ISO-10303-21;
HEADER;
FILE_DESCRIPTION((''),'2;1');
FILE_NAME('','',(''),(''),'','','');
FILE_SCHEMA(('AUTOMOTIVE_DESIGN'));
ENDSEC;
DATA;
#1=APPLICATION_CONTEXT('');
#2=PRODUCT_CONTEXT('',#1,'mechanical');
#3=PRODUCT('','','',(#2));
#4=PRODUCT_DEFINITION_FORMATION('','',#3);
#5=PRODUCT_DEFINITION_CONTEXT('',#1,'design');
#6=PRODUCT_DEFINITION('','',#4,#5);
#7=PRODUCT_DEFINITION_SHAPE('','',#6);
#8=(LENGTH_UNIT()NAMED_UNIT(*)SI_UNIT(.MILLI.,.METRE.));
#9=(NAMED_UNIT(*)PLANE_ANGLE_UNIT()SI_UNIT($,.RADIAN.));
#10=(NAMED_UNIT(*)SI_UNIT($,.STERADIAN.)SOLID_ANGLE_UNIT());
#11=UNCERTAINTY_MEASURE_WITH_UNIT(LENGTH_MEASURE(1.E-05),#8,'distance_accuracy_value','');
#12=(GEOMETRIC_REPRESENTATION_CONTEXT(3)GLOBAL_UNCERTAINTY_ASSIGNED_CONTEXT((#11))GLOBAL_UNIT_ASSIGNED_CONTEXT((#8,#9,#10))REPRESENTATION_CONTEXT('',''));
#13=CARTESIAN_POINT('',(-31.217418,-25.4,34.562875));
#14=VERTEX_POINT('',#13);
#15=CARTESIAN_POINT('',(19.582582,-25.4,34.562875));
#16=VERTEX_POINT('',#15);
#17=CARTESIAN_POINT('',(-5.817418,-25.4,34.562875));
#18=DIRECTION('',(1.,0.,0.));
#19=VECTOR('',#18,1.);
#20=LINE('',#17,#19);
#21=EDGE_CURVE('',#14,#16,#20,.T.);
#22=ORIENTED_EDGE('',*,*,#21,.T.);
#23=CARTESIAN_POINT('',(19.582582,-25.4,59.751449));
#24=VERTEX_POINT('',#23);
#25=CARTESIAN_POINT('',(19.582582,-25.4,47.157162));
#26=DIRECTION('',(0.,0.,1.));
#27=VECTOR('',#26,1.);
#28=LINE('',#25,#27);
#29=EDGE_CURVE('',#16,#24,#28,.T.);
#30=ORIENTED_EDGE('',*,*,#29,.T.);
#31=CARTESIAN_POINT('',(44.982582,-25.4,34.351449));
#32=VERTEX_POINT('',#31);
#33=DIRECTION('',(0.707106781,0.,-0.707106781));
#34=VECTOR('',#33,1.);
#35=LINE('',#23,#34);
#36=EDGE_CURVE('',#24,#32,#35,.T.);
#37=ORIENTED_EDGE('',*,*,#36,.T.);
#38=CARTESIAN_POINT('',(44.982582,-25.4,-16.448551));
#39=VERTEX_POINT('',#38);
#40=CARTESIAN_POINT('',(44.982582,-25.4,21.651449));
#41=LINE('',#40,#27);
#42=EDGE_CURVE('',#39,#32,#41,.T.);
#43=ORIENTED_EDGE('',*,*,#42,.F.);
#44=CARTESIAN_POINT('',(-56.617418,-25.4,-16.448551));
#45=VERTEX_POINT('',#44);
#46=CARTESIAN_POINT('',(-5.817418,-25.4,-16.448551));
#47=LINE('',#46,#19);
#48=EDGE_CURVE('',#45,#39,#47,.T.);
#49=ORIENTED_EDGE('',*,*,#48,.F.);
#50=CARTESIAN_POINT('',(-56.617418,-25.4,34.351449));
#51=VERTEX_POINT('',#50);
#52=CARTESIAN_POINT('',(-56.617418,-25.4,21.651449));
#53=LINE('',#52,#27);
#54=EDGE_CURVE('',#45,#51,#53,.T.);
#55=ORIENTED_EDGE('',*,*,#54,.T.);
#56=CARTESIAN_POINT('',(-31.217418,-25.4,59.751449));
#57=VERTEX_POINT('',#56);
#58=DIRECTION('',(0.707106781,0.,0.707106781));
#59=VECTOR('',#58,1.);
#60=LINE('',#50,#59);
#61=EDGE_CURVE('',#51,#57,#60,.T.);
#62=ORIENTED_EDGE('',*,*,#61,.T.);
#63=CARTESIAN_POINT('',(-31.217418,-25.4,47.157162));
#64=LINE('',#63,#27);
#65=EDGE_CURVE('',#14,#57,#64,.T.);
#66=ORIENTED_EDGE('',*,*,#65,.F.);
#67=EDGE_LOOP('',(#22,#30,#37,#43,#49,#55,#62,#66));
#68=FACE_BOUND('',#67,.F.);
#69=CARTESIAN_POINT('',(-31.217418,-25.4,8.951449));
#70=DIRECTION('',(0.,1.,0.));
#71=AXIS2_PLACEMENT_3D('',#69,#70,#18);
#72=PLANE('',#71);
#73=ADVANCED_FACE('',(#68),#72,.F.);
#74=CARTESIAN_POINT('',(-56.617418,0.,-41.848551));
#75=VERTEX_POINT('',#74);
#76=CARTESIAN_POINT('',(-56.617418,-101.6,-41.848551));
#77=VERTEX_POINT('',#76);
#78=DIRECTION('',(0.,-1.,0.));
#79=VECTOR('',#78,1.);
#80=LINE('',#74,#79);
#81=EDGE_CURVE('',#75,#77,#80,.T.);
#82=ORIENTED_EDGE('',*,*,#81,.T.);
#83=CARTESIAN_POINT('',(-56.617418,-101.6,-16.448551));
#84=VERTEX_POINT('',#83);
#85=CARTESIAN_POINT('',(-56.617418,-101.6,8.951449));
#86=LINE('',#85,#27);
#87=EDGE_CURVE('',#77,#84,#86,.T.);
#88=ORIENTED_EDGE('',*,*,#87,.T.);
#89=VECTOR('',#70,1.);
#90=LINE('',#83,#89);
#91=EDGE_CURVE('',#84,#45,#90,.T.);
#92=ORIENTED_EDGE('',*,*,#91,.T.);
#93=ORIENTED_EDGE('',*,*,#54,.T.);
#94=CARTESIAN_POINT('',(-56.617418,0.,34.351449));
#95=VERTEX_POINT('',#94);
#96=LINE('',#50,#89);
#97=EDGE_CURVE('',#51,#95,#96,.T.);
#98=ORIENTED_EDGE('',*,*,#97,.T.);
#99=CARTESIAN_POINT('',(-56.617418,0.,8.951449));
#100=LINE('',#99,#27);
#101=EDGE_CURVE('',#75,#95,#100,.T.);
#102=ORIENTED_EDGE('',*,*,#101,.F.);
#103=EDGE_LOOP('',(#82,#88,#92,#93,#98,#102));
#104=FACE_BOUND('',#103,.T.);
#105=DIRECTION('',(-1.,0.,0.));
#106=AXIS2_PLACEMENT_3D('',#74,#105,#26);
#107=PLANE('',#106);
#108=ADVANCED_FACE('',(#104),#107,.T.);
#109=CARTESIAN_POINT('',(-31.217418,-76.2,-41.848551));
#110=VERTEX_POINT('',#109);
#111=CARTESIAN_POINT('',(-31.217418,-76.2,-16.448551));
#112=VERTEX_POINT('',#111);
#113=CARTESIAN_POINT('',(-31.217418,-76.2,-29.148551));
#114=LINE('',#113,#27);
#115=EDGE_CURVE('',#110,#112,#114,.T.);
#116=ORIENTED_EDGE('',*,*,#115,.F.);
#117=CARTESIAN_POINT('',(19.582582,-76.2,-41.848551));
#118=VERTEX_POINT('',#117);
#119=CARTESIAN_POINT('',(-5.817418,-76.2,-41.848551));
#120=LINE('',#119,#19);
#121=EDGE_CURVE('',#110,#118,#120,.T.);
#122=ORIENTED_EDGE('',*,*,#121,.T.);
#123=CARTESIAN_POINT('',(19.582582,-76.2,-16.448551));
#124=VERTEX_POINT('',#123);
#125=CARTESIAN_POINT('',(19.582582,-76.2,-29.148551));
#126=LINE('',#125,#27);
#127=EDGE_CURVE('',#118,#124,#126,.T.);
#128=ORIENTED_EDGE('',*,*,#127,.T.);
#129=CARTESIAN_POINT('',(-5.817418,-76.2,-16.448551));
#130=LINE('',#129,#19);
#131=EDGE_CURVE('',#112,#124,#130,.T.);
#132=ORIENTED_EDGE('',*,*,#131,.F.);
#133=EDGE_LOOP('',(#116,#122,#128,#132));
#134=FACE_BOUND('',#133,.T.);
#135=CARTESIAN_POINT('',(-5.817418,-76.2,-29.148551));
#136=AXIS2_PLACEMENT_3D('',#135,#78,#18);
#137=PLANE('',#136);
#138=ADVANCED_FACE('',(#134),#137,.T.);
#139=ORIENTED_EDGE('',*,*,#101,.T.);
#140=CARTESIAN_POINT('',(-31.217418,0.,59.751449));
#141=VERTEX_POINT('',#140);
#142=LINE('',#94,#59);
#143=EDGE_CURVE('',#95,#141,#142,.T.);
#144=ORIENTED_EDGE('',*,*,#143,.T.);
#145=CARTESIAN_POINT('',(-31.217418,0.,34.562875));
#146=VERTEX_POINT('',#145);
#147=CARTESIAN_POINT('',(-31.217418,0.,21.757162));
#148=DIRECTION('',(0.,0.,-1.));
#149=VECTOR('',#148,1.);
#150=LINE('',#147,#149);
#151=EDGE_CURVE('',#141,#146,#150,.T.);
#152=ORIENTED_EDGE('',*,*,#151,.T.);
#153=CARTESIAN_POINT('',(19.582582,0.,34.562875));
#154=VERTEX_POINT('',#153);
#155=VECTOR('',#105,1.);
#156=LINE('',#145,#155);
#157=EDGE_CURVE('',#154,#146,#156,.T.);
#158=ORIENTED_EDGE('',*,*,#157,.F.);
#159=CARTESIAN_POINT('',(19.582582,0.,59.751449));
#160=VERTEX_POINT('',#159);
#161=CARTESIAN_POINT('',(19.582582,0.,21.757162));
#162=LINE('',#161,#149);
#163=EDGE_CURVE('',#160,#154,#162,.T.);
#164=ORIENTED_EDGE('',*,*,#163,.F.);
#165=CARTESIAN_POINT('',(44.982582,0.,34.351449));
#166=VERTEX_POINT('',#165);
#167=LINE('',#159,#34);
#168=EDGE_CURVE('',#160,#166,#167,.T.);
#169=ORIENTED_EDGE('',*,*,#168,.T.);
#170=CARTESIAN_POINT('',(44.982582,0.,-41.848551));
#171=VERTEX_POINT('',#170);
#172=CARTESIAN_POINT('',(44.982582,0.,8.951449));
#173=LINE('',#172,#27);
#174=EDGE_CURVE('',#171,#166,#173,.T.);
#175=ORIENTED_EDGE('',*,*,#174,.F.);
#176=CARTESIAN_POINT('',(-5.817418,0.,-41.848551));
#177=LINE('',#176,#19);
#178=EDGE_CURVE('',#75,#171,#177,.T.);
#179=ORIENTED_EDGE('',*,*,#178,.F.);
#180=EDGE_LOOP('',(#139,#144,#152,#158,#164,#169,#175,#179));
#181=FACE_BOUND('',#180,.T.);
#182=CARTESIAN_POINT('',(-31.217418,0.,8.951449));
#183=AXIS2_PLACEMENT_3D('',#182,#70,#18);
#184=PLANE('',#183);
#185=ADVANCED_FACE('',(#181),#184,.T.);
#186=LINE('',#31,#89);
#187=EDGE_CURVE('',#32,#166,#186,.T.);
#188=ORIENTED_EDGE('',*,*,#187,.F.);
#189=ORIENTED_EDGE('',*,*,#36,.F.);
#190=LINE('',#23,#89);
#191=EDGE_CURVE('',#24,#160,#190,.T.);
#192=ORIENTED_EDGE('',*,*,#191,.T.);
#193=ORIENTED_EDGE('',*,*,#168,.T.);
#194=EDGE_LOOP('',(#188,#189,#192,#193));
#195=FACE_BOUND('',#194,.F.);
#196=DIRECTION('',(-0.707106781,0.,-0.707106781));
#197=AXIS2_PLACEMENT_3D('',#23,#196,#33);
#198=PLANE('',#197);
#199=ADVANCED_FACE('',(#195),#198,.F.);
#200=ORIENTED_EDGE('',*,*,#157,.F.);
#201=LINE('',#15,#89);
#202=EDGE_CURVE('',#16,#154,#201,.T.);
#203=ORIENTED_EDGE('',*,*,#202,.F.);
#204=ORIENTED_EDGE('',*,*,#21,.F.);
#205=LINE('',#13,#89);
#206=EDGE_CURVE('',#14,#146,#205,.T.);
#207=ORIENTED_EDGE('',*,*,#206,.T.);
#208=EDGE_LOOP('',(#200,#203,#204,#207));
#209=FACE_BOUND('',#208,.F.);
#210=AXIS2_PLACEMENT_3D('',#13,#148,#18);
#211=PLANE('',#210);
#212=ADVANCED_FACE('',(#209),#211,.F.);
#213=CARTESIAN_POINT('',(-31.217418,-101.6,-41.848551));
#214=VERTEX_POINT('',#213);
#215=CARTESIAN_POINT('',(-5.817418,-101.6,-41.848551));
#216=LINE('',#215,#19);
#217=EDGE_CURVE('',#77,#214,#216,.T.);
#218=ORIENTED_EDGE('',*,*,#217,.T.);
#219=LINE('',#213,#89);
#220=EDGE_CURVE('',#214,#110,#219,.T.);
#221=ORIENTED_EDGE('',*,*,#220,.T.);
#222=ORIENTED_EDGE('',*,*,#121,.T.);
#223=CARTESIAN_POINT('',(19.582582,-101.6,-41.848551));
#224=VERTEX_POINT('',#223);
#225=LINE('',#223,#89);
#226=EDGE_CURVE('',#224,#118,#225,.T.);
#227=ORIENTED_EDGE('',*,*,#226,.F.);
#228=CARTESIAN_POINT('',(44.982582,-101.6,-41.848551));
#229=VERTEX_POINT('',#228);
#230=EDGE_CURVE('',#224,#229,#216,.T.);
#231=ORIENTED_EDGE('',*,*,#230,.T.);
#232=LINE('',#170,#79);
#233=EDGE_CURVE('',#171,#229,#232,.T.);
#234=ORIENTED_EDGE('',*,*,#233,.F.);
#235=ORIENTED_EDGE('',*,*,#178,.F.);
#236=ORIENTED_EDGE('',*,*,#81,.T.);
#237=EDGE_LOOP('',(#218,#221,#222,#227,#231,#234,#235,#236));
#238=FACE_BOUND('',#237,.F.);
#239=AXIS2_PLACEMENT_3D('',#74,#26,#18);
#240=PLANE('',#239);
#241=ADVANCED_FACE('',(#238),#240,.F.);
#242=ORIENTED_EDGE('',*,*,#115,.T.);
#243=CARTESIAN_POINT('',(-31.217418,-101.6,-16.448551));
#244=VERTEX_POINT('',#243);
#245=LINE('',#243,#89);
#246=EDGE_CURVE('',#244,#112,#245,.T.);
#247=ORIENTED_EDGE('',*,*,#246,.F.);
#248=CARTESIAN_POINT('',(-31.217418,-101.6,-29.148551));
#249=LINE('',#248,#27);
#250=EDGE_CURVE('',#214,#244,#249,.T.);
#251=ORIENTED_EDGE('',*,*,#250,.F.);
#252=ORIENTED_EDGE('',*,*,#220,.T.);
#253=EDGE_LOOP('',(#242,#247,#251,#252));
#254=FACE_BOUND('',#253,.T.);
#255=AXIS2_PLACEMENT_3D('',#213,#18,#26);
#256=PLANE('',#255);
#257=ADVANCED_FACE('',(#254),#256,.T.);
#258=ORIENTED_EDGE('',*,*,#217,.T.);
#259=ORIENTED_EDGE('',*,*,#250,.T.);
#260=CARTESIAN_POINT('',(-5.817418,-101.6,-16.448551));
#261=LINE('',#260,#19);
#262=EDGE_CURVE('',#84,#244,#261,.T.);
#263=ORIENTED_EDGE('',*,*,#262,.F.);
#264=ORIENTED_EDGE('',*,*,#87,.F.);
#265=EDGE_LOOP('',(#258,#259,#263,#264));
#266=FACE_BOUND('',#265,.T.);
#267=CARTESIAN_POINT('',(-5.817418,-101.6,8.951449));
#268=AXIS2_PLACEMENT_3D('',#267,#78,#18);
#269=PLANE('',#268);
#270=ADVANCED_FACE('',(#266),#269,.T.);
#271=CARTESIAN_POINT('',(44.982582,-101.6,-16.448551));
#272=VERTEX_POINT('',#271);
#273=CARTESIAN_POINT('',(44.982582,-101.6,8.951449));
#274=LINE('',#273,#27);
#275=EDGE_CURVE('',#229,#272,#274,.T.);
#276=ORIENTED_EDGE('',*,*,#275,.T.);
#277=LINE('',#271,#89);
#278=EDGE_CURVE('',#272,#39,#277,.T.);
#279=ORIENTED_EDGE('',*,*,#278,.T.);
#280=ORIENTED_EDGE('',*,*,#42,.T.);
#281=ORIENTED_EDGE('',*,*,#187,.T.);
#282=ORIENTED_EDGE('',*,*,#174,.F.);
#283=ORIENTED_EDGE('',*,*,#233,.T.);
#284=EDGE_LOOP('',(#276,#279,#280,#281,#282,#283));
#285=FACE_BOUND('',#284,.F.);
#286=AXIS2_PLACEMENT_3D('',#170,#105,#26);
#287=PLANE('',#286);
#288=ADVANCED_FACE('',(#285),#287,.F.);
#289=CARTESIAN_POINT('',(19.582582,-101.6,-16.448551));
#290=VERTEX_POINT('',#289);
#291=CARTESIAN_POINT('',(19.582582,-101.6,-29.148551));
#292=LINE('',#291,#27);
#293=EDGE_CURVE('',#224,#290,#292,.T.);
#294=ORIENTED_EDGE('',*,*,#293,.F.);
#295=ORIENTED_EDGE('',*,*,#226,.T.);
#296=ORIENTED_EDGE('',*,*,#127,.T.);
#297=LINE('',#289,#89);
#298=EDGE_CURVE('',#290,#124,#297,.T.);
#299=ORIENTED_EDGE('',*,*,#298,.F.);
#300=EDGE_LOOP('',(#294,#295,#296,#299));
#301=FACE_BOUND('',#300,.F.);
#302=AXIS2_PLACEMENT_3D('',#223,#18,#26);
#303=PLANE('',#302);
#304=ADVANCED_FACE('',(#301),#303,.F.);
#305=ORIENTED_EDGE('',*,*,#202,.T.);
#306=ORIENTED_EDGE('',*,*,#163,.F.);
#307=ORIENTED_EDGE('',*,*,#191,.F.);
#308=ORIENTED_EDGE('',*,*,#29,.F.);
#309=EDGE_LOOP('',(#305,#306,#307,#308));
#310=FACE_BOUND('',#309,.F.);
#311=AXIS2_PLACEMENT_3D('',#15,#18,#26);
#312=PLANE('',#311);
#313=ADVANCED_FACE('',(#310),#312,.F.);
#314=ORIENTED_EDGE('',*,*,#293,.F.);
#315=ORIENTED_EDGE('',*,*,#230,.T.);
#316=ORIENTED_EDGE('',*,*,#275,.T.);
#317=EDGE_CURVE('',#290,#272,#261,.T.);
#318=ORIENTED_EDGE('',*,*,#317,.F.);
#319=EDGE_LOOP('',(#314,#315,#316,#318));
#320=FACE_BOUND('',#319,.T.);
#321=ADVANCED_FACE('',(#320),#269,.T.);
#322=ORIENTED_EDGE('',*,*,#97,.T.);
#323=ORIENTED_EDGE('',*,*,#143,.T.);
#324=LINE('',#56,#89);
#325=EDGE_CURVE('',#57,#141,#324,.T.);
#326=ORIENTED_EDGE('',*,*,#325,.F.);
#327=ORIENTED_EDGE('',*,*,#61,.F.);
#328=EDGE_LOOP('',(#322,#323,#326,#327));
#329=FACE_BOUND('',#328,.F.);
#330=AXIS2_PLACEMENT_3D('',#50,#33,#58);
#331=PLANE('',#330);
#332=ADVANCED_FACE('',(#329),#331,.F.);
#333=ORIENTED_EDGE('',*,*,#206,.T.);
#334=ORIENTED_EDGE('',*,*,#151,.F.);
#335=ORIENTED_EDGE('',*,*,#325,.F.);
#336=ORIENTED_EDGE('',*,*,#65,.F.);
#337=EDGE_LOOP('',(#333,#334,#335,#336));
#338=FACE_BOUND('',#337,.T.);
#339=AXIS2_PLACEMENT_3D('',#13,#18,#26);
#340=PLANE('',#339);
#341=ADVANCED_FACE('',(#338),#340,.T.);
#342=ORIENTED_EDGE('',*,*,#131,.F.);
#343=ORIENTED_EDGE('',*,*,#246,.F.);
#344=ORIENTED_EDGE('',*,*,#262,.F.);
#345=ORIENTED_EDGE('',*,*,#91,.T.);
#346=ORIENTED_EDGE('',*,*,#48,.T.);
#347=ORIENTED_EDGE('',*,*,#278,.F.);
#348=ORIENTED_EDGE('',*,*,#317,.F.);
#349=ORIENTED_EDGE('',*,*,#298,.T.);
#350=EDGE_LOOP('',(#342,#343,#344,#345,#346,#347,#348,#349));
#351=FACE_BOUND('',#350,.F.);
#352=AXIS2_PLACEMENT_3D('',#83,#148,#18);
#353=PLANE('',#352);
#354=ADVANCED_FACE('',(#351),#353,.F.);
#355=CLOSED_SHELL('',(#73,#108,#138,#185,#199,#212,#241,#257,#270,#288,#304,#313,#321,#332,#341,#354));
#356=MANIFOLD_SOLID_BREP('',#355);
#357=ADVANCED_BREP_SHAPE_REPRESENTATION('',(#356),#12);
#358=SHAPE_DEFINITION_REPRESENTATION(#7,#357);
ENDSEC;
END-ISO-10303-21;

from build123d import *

# Parameters (mm, degrees)
F0_W      = 101.6
F0_H      = 101.6
F1_DEPTH  = 101.6
F2_W      = 50.8
F2_H      = 25.4
F3_DEPTH  = 25.4
F4_W      = 101.6
F4_H      = 76.2
F5_DEPTH  = 76.2
F7_DEPTH  = 25.4
F8_W      = 50.8
F8_H      = 50.8
F9_DEPTH  = 25.4
F9_FACE_W = 50.8
F9_FACE_H = 25.4
F10_DEPTH = 50.8
F11_W     = 50.8
F11_H     = 25.188574
F12_DEPTH = 59.436


with BuildPart() as f1:
    # F0 (on Front) → F1 (new body)
    with BuildSketch(Plane.XZ):
        with Locations((-5.817418, 8.951449)):
            Rectangle(F0_W, F0_H)
    extrude(amount=F1_DEPTH)

    # F2 (on face) → F3 (cut)
    with BuildSketch(Plane.XZ.offset(101.6)):
        with Locations((-5.817418, -29.148551)):
            Rectangle(F2_W, F2_H)
    extrude(amount=-F3_DEPTH, mode=Mode.SUBTRACT)

    # F4 (on face) → F5 (cut)
    with BuildSketch(Plane.XZ.offset(101.6)):
        with Locations((-5.817418, 21.651449)):
            Rectangle(F4_W, F4_H)
    extrude(amount=-F5_DEPTH, mode=Mode.SUBTRACT)

    # F6 (on face) → F7 (cut)
    with BuildSketch(Plane.XZ.offset(25.4)):
        Polygon((44.982582, 59.751449), (19.582582, 59.751449), (44.982582, 34.351449), align=None)
        Polygon((-31.217418, 59.751449), (-56.617418, 59.751449), (-56.617418, 34.351449), align=None)
    extrude(amount=-F7_DEPTH, mode=Mode.SUBTRACT)

    # F8 (on face) → F9 (cut)
    with BuildSketch(Plane.XZ.offset(25.4)):
        with Locations((-5.817418, 34.351449)):
            Rectangle(F8_W, F8_H)
    extrude(amount=-F9_DEPTH, mode=Mode.SUBTRACT)

    # F9_face (on face) → F10 (join)
    with BuildSketch(Plane(origin=(-5.817418, -12.7, 8.951449), x_dir=(1, 0, 0), z_dir=(0, 0, 1))):
        Rectangle(F9_FACE_W, F9_FACE_H)
    extrude(amount=F10_DEPTH)

    # F11 (on face) → F12 (cut)
    with BuildSketch(Plane.XZ.offset(25.4)):
        with Locations((-5.817418, 47.157162)):
            Rectangle(F11_W, F11_H)
    extrude(amount=-F12_DEPTH, mode=Mode.SUBTRACT)


solid = f1.part
